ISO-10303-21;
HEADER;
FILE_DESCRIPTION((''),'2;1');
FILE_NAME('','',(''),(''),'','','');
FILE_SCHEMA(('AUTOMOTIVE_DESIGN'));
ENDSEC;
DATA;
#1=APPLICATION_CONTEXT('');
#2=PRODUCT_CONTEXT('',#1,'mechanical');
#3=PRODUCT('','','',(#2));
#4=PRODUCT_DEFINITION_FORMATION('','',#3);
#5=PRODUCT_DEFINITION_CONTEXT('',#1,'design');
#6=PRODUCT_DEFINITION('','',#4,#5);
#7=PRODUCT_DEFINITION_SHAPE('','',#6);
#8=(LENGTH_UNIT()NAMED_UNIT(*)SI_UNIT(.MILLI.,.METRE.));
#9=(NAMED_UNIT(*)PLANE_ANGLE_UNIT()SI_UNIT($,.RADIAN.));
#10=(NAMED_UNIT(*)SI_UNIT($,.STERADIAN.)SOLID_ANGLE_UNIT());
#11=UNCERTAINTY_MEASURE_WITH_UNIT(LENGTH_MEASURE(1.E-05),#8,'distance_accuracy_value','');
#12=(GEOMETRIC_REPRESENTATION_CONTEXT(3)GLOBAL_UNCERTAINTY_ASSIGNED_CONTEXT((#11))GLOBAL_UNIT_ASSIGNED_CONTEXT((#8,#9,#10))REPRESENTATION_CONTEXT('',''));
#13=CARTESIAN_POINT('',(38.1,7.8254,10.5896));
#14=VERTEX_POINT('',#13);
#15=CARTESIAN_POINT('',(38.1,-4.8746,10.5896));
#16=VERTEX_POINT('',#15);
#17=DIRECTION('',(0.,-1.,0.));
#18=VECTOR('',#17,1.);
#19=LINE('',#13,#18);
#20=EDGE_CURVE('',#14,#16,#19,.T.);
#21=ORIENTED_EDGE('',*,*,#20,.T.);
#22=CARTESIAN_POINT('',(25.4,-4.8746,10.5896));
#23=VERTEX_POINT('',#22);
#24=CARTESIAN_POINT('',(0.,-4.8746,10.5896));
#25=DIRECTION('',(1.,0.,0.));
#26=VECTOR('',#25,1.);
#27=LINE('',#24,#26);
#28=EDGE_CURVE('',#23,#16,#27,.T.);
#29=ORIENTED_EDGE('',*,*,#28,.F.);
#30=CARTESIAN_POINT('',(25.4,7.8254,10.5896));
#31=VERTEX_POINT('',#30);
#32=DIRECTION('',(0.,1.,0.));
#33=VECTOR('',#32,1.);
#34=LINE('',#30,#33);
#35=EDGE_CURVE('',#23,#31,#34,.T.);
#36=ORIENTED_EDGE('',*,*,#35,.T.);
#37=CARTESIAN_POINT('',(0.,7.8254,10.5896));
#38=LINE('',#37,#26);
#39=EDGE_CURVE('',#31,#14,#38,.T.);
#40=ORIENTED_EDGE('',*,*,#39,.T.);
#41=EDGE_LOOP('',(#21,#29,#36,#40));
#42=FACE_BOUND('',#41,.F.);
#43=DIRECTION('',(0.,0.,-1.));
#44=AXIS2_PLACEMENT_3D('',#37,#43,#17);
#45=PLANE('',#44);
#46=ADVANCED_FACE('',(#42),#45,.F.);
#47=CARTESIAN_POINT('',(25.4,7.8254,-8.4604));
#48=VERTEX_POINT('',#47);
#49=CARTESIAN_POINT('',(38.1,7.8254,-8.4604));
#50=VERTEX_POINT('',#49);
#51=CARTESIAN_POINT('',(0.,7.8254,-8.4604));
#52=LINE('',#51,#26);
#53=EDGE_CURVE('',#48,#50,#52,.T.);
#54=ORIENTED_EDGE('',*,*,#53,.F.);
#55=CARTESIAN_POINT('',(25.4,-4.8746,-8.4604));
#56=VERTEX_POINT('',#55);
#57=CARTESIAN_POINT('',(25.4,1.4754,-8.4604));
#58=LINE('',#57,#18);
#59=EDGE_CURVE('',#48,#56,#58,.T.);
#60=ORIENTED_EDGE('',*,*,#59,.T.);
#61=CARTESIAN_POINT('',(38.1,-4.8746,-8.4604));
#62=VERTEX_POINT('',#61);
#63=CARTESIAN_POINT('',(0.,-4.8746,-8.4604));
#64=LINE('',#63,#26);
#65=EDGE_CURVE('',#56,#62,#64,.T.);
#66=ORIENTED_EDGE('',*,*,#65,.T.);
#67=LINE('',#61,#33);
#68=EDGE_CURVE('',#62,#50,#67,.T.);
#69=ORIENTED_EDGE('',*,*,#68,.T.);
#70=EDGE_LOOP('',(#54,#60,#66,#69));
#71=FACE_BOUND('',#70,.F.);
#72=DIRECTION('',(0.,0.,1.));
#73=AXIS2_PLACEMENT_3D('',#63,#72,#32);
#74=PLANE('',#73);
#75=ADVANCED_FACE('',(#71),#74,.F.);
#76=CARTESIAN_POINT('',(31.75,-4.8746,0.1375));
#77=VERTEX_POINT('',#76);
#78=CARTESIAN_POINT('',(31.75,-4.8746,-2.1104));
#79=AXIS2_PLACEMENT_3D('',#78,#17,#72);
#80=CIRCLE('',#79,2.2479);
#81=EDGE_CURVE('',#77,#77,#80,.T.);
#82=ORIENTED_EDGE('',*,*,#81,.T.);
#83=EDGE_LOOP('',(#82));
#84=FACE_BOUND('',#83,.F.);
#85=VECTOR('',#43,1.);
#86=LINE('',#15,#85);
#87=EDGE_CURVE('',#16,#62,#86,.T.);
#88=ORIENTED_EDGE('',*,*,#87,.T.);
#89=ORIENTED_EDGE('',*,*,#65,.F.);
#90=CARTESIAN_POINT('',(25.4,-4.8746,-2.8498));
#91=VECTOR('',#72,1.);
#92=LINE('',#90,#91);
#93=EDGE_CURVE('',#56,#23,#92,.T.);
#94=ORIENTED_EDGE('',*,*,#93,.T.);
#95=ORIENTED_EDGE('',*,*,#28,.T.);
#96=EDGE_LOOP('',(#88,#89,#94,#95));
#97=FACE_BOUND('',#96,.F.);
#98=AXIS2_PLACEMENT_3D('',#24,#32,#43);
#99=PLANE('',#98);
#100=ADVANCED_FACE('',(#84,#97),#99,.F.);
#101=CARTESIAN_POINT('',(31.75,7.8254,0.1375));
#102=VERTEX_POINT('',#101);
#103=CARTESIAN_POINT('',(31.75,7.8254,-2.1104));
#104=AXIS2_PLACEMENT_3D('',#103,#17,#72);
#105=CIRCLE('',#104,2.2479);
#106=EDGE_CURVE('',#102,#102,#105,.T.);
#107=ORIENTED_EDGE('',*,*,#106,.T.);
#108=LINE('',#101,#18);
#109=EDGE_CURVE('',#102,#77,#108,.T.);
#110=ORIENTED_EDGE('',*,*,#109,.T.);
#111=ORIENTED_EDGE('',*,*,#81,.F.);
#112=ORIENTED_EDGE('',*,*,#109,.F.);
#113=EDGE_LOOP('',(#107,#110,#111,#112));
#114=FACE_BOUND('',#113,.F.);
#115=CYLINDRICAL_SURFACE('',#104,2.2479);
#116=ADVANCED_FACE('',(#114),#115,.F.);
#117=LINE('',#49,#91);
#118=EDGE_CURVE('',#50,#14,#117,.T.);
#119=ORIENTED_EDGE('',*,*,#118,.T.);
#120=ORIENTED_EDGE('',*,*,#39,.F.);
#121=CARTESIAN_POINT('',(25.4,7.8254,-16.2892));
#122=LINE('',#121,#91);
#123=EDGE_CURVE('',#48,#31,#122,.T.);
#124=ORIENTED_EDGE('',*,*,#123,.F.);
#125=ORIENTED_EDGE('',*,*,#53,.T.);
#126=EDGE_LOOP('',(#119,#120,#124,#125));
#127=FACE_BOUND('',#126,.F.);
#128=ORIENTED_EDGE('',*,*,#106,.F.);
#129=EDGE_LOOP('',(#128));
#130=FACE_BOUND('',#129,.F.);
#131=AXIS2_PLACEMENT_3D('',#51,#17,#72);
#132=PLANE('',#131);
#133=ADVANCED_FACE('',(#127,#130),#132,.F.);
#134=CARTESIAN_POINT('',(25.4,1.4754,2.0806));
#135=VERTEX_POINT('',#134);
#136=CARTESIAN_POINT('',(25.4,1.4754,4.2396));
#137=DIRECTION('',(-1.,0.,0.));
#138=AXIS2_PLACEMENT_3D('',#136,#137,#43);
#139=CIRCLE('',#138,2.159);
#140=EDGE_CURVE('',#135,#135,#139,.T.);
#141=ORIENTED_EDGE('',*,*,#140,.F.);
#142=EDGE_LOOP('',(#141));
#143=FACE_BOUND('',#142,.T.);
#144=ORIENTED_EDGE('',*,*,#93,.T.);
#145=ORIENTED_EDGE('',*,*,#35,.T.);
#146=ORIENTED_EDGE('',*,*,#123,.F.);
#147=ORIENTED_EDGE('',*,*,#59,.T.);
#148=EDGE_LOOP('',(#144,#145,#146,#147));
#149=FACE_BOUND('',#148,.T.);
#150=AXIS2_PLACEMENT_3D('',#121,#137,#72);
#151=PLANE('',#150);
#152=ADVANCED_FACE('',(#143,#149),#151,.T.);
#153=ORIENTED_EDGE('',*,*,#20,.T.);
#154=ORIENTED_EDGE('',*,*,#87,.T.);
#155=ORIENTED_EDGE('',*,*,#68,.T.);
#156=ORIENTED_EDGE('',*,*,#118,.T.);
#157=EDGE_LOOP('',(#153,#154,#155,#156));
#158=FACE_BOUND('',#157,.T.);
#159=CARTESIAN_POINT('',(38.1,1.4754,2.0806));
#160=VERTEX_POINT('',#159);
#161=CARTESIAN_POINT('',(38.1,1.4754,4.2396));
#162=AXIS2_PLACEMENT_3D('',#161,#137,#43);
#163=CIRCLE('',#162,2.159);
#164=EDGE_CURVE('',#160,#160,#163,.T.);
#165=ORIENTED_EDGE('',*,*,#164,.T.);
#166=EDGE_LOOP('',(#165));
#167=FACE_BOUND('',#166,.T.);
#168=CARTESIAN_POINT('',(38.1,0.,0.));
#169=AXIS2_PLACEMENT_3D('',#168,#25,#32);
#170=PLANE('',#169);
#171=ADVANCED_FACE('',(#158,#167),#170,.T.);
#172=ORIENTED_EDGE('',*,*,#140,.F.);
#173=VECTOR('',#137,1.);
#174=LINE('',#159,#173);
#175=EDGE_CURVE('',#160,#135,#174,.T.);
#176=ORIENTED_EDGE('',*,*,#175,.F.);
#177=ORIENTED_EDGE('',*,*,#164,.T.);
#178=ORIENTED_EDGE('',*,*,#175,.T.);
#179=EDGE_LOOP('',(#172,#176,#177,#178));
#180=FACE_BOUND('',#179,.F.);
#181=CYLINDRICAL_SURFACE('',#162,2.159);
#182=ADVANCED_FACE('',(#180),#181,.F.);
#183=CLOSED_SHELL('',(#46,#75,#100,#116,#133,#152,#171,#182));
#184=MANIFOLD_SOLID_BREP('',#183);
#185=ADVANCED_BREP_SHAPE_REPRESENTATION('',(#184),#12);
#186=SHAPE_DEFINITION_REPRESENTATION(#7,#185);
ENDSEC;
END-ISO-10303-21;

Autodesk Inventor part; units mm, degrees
ref_plane "YZ Plane" through (0, 0, 0) normal (1, 0, 0) x (0, 1, 0)
ref_plane "XZ Plane" through (0, 0, 0) normal (0, 1, 0) x (-1, 0, 0)
ref_plane "XY Plane" through (0, 0, 0) normal (0, 0, 1) x (1, 0, 0)
sketch "Sketch1" plane through (0, 0, 0) normal (1, 0, 0) x (0, 1, 0)
  line L0 (7.8254, 10.5896) -> (-4.8746, 10.5896)
  line L1 (-4.8746, 10.5896) -> (-4.8746, -8.4604)
  line L2 (-4.8746, -8.4604) -> (7.8254, -8.4604)
  line L3 (7.8254, -8.4604) -> (7.8254, 10.5896)
  point P0 (0, 0)
  dimension "d0" = 19.05
  dimension "d1" = 12.7
extrude "Extrusion1" add sketch "Sketch1" along normal blind 38.1
sketch "Sketch2" plane through (38.1, 0, 0) normal (1, 0, 0) x (0, 0, -1)
  line L0 (-10.5896, 7.8254) -> (-10.5896, -4.8746) projected
  line L1 (8.4604, 7.8254) -> (-10.5896, 7.8254) projected
  point P0 (0, 0)
  point P1 (-4.2396, 1.4754)
  dimension "d4" = 6.35
  dimension "d5" = 6.35
hole "Hole1" at (38.1, 1.4754, 4.2396) direction (-1, 0, 0) diameter 4.318 end through all
sketch "Sketch3" plane through (0, 7.8254, 10.5896) normal (0, 1, 0) x (1, 0, 0)
  line L0 (38.1, 19.05) -> (38.1, 0) projected
  line L1 (0, 19.05) -> (0, 0) projected
  line L2 (0, 19.05) -> (38.1, 19.05) projected
  point P0 (0, 10.5896)
  point P1 (6.35, 12.7)
  point P2 (31.75, 12.7)
  dimension "d13" = 6.35
  dimension "d14" = 6.35
  dimension "d15" = 6.35
  dimension "d16" = 0
hole "Hole2" at (6.35, 7.8254, -2.1104) at (31.75, 7.8254, -2.1104) direction (0, -1, 0) diameter 4.4958 end through all clearance for "Flat Head Machine Screw (82)" size "#8" standard "Ansi Unified Screw Threads"
sketch "Sketch4" plane through (0, 7.8254, 10.5896) normal (0, 1, 0) x (1, 0, 0)
  line L0 (-8.5328, 26.8788) -> (25.4, 26.8788)
  line L1 (25.4, 26.8788) -> (25.4, -5.2507)
  line L2 (25.4, -5.2507) -> (-8.5328, -5.2507)
  line L3 (-8.5328, -5.2507) -> (-8.5328, 26.8788)
  line L4 (0, 19.05) -> (0, 0) projected
  point P0 (0, 10.5896)
  dimension "d24" = 25.4
extrude "Extrusion2" cut sketch "Sketch4" against normal blind 112.7125
properties part number "MotorSpacerBlock3"
